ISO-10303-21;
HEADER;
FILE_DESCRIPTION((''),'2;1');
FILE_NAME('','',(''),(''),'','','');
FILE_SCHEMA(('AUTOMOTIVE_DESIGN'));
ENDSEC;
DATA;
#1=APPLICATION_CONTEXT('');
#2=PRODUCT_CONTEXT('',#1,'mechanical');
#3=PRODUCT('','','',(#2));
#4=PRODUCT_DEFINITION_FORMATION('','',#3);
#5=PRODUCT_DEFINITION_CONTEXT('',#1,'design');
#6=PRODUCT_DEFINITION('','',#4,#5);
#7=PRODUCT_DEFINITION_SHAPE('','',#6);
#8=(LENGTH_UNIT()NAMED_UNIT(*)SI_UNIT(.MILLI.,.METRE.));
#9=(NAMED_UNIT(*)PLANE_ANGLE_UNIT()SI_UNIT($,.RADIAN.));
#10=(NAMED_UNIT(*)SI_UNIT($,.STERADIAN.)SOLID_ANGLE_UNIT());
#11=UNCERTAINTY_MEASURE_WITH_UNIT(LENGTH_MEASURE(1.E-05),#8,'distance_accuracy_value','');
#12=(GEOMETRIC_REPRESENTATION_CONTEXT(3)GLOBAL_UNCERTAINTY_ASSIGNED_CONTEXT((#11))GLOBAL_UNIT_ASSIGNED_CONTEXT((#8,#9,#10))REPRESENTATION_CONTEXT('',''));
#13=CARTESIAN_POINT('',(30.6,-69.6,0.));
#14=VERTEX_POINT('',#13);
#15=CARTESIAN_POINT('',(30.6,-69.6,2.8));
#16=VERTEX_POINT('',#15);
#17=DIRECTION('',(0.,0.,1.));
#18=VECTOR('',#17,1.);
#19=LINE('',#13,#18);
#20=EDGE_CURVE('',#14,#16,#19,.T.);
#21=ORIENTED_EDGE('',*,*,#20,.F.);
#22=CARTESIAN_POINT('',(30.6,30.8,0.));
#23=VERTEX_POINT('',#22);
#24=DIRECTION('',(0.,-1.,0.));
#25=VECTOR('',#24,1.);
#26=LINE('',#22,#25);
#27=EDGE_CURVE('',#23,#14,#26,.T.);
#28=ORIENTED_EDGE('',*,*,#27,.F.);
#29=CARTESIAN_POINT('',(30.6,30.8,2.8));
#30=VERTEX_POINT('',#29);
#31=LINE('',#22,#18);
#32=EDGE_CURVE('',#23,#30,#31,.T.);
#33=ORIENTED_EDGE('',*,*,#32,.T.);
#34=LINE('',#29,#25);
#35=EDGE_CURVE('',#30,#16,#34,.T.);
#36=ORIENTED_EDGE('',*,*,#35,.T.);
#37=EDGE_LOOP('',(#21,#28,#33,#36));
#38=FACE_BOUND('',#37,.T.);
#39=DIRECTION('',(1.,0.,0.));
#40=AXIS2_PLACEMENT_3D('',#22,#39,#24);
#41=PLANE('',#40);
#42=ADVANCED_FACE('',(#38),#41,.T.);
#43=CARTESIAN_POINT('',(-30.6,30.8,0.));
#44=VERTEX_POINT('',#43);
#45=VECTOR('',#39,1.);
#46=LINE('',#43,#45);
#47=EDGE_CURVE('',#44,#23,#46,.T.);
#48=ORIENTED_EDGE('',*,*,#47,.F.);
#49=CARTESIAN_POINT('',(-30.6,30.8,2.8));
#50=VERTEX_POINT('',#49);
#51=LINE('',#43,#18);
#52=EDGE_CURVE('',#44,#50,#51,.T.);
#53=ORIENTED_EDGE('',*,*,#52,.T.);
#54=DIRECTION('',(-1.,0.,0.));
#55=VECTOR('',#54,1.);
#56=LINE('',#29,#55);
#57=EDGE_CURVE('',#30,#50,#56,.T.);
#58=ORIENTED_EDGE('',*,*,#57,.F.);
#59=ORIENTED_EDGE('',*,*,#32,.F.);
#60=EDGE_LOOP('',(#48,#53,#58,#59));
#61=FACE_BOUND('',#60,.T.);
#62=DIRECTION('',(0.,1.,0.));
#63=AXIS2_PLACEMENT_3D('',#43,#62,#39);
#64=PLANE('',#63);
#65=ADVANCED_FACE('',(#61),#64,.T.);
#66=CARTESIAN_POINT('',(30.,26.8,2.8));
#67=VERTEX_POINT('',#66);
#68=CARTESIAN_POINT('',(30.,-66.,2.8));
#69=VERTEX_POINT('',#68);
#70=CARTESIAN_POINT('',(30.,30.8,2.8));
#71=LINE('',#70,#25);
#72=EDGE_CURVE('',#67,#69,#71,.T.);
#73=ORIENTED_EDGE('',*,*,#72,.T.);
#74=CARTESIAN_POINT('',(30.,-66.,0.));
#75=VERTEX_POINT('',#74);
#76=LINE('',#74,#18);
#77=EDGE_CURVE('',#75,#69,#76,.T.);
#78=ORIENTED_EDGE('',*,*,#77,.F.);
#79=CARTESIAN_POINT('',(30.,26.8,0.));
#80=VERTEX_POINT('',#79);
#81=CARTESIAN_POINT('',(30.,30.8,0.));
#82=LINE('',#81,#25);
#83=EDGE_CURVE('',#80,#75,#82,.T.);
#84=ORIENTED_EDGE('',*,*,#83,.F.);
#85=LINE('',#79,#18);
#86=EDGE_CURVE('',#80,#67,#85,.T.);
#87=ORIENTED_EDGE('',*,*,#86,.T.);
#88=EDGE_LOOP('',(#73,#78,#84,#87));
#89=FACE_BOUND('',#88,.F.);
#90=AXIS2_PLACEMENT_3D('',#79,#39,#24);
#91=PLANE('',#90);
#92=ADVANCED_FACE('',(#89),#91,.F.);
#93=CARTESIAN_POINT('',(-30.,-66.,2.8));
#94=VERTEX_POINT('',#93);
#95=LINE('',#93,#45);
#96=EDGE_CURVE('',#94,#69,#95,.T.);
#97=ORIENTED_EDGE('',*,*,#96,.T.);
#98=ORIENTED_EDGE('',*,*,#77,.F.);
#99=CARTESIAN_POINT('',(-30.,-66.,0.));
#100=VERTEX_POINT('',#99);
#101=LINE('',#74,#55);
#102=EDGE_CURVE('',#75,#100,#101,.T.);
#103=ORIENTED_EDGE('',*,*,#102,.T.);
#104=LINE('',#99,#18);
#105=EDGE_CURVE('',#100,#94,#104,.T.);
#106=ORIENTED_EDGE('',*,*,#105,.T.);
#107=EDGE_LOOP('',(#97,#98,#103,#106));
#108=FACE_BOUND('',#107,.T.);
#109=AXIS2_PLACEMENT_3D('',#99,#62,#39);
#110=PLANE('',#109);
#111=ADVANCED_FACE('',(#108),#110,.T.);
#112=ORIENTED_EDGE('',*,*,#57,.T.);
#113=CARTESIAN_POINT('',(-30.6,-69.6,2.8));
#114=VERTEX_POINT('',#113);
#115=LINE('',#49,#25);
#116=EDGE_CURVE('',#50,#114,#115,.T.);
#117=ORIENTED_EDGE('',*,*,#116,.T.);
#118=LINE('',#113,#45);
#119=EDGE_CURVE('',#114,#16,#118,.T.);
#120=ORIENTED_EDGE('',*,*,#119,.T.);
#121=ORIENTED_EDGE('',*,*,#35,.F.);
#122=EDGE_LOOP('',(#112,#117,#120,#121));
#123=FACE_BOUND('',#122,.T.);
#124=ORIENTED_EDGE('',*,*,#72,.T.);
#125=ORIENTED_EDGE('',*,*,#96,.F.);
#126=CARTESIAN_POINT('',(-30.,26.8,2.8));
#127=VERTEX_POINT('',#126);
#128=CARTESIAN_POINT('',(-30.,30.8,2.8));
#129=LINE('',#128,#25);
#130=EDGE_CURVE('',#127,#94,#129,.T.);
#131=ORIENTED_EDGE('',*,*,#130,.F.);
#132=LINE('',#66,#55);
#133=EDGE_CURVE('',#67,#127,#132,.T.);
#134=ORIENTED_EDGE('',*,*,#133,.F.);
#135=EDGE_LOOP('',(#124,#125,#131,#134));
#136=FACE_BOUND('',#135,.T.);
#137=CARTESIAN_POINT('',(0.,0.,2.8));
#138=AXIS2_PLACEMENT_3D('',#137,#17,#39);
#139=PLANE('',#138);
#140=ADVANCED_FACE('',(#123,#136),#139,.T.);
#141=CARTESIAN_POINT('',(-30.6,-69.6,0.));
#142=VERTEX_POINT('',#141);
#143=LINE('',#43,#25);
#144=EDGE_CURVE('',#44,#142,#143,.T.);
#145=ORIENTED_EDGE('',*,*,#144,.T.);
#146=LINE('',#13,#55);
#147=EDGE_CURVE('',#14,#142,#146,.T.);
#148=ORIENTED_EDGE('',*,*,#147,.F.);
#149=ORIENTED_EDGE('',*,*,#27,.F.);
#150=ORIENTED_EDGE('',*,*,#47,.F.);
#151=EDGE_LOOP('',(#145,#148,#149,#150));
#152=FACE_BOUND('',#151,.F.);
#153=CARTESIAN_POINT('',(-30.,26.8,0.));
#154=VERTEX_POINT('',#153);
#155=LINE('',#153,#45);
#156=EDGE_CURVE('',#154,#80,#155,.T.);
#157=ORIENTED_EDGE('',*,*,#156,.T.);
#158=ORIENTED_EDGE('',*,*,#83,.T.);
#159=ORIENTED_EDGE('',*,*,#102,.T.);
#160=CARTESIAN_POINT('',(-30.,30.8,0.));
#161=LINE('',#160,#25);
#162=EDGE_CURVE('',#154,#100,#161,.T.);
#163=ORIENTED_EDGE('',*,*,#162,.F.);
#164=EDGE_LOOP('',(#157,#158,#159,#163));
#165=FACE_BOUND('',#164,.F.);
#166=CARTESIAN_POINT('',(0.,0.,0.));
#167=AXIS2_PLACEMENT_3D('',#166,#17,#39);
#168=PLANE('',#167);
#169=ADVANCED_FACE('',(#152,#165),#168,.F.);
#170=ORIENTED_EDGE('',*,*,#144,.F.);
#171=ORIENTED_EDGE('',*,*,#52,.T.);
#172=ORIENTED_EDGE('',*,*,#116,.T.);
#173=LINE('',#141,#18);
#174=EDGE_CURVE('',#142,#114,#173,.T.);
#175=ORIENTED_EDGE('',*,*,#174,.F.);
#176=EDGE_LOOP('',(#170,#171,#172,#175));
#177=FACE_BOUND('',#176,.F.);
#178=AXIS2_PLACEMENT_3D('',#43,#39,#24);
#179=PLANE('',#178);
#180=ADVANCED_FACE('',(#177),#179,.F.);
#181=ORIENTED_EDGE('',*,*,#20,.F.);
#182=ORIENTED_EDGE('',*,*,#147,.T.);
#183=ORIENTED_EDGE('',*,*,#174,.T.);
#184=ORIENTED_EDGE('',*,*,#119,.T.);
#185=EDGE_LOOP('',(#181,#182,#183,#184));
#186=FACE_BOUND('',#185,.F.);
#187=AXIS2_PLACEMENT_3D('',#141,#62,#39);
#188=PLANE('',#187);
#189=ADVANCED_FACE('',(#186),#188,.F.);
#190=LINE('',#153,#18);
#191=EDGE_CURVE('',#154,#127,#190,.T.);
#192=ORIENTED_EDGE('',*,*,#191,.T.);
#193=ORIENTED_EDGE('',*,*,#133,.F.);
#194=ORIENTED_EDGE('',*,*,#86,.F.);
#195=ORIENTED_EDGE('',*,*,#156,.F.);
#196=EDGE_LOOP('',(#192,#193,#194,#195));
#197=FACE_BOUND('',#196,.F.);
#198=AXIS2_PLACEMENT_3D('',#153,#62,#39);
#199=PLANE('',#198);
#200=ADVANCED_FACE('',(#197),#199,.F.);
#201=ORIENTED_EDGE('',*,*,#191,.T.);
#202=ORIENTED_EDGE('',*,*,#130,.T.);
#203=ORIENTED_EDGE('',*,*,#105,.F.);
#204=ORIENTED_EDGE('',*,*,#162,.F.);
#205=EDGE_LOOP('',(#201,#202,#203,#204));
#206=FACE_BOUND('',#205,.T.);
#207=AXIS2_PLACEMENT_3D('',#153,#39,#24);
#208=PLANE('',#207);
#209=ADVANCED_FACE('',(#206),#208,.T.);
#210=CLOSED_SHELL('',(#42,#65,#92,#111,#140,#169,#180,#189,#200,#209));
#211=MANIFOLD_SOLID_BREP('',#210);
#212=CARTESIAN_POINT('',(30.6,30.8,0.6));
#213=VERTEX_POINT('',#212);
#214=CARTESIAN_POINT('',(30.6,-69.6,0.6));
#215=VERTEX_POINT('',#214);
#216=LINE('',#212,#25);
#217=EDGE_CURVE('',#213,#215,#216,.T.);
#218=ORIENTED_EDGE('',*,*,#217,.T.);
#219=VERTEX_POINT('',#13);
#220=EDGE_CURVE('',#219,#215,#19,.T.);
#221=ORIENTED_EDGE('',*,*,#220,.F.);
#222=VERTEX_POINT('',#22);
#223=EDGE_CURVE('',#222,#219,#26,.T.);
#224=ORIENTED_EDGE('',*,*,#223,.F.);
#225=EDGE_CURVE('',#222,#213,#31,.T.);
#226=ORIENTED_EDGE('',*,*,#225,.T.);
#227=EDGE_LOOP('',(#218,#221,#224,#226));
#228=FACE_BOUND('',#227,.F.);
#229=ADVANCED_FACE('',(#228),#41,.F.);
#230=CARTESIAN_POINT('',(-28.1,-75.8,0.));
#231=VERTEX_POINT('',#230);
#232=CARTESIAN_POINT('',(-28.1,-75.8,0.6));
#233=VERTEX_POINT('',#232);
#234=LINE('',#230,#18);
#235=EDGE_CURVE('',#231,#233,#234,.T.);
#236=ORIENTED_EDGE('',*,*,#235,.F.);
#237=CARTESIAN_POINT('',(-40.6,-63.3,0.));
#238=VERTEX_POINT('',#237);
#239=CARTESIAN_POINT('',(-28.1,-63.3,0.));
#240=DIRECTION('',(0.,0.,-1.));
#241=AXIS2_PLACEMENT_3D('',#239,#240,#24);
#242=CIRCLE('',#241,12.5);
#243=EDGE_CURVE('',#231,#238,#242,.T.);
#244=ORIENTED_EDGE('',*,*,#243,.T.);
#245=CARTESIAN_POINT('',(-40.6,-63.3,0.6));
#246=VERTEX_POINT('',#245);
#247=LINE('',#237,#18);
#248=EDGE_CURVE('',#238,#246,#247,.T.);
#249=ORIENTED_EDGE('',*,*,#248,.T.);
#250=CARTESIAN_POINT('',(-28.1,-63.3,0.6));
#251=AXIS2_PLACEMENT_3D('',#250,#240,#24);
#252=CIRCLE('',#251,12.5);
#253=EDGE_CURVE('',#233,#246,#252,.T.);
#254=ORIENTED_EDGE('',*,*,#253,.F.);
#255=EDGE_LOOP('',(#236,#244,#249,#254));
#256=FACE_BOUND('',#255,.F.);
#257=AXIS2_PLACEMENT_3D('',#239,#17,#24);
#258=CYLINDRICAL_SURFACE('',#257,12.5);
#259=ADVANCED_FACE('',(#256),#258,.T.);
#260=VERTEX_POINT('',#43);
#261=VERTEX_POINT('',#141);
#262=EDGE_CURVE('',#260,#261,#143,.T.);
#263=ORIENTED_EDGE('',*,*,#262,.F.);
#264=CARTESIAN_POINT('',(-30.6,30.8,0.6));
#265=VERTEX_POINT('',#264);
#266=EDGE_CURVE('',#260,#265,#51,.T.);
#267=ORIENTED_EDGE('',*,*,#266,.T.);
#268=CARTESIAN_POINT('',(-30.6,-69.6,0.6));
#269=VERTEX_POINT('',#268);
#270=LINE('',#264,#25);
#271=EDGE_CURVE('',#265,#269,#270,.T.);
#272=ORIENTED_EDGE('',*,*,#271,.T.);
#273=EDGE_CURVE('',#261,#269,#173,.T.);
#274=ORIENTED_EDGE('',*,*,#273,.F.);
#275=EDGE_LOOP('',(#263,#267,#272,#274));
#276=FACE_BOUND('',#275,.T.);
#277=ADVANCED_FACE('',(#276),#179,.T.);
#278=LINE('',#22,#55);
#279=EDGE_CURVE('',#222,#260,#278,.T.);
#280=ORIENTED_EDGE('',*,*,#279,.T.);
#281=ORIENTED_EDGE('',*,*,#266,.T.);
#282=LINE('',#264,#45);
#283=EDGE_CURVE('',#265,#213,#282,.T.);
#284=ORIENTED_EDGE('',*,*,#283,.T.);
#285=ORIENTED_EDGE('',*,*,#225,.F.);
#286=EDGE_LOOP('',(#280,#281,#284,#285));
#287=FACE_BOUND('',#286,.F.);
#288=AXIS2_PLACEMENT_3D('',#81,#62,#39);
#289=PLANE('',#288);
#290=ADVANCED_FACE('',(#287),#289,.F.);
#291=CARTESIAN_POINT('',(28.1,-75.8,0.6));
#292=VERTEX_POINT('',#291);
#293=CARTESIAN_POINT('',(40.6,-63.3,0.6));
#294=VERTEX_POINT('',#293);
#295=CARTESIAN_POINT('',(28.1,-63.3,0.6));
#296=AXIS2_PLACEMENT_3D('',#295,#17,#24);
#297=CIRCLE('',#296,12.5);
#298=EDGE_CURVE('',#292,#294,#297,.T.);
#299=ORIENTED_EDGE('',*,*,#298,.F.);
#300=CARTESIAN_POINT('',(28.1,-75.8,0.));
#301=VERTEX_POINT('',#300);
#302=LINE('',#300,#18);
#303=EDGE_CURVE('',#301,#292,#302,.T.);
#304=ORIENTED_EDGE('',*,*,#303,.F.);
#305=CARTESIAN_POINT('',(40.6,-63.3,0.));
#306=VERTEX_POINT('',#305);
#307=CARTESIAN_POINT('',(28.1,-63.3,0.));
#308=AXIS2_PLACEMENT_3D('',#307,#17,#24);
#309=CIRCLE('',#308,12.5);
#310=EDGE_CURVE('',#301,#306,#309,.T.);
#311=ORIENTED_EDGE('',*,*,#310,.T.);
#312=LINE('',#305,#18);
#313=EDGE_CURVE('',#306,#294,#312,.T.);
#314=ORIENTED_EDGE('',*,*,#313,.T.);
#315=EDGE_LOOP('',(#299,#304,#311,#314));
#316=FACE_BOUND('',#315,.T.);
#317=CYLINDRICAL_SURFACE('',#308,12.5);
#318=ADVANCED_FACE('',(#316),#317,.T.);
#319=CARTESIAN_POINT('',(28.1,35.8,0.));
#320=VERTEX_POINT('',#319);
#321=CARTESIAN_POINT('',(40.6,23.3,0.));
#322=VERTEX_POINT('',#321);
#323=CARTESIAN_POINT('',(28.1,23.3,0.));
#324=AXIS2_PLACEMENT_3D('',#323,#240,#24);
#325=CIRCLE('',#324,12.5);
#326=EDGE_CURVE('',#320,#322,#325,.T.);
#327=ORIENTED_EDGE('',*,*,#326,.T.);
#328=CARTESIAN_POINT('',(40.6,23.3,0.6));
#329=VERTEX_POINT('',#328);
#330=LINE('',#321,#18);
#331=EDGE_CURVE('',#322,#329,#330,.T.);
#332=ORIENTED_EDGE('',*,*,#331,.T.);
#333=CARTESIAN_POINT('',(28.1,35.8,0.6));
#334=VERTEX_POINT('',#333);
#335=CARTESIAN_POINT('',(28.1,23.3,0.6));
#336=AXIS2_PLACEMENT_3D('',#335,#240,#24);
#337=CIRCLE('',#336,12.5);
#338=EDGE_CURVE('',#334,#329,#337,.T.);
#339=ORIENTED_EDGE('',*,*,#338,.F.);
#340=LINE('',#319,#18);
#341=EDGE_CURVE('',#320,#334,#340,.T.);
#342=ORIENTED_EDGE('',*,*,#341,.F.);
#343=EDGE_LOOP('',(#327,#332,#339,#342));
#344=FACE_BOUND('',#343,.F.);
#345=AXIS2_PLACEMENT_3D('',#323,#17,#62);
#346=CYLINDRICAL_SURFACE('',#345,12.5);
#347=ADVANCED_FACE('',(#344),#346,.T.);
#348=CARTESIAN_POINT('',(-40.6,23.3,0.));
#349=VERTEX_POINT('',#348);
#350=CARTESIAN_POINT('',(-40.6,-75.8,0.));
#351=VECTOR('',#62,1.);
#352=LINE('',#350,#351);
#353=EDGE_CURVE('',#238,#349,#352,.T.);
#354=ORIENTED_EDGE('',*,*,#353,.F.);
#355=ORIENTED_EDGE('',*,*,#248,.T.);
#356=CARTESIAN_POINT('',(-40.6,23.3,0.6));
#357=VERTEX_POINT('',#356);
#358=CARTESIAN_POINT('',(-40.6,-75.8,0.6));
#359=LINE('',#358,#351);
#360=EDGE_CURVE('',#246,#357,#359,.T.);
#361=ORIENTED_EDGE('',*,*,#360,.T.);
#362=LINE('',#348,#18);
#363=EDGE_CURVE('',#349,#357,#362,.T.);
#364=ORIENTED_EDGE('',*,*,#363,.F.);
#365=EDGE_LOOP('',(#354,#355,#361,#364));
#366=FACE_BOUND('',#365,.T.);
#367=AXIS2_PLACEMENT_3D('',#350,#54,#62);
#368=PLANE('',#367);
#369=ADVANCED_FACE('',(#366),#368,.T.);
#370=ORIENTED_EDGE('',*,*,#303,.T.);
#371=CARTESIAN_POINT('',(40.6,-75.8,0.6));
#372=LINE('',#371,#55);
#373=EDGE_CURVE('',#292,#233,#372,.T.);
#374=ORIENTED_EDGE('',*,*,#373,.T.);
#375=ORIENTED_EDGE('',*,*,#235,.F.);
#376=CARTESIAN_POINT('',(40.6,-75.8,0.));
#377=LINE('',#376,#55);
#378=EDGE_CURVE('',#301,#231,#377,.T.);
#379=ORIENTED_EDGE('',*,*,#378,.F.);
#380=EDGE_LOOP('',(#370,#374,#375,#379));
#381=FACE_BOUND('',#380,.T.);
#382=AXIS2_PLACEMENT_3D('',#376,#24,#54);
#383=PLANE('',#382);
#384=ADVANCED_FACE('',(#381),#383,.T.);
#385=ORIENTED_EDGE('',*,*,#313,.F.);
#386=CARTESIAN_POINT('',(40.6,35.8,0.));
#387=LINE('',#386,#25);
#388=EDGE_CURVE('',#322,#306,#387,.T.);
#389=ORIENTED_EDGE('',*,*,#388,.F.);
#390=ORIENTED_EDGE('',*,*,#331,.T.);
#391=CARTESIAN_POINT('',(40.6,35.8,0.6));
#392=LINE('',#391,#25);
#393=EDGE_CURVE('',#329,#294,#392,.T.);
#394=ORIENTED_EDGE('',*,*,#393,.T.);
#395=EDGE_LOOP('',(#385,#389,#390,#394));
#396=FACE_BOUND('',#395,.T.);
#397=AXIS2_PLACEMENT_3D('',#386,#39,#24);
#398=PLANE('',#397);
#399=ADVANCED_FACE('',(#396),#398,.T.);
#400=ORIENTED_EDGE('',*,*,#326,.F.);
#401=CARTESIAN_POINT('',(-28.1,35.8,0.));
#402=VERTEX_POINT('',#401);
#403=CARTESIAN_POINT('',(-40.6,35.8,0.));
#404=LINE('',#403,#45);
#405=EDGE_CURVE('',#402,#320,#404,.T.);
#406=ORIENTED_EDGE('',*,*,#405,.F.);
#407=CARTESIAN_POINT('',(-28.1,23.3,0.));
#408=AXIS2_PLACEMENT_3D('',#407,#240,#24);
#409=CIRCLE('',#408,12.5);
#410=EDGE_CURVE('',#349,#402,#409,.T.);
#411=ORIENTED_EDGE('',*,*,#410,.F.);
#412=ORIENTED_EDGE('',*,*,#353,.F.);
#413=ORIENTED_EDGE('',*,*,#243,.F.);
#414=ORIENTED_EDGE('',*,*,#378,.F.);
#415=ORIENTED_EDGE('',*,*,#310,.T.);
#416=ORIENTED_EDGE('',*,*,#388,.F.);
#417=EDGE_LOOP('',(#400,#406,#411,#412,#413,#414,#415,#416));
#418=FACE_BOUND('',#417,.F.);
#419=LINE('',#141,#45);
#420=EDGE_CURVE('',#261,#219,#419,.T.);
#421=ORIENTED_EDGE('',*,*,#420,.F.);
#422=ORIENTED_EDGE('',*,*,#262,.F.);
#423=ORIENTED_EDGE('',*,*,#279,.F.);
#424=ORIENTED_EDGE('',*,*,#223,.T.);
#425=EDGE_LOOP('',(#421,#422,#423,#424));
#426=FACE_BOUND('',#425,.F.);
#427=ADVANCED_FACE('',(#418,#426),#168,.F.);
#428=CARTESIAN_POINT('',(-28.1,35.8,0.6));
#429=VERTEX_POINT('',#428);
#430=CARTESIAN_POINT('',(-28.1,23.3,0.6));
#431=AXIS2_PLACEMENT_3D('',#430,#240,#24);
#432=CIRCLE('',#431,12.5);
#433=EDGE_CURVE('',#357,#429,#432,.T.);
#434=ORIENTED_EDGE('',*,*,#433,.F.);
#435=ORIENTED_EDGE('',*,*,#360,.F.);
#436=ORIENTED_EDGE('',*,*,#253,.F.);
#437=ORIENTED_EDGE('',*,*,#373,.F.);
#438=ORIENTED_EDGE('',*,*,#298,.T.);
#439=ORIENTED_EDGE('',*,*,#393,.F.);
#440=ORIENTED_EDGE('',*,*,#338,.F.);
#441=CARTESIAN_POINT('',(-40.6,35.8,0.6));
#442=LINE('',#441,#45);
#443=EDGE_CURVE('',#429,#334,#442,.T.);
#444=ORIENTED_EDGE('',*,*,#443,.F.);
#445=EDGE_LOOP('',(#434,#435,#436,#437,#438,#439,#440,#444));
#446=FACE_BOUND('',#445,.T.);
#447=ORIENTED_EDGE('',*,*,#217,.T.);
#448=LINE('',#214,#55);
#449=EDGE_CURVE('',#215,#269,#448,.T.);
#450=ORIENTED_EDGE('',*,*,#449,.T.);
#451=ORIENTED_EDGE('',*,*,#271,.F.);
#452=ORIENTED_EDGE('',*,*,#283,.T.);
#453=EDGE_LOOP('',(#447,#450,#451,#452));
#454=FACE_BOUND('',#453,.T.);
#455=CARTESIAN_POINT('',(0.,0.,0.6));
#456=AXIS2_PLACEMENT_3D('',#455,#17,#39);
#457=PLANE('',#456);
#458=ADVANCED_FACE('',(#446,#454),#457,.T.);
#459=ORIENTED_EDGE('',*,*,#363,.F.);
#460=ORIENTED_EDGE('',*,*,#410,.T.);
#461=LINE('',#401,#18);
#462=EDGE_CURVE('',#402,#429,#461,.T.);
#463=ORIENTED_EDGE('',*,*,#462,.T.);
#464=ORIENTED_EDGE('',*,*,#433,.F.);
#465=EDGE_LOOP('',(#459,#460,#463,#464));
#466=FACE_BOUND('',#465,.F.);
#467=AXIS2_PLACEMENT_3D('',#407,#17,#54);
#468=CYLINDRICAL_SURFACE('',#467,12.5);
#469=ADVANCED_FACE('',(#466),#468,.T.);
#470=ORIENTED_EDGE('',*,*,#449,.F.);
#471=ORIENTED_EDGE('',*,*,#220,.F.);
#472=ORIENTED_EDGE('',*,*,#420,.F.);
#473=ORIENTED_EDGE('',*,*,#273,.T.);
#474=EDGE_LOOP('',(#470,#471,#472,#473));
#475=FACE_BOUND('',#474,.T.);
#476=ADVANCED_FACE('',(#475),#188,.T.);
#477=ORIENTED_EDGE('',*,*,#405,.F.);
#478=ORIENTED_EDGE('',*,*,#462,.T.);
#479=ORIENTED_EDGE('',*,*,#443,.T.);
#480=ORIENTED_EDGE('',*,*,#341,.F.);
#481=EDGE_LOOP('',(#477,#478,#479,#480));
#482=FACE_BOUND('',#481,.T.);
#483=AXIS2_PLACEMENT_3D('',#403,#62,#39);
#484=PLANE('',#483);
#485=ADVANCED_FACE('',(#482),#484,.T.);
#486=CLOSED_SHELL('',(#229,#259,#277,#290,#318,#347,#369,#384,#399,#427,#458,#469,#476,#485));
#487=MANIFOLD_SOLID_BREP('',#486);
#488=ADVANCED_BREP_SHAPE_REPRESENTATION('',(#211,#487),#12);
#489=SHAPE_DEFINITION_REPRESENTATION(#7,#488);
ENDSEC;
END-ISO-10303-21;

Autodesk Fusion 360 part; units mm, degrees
sketch "Sketch1" plane through (0, 0, 0) normal (0, 0, 1) x (1, 0, 0)
  line L0 (-30.6, 30.8) -> (30.6, 30.8)
  line L1 (-30.6, 30.8) -> (-30.6, -69.6)
  line L2 (0, 30) -> (0, -70)
  line L3 (30.6, 30.8) -> (30.6, -69.6)
  line L4 (-30, 30.8) -> (-30, -70)
  line L5 (30, 30.8) -> (30, -70)
  line L6 (-30, 26.8) -> (30, 26.8)
  line L7 (-30, -66) -> (30, -66)
  line L8 (-33.5, 50) -> (-33.3333, 50)
  line L9 (33.3333, 50) -> (33.5, 50)
  line L10 (-30.6, -69.6) -> (30.6, -69.6)
  line L11 (-30.6, 30.8) -> (30.6, -69.6)
  line L12 (-30.6, -69.6) -> (30.6, 30.8)
  line L13 (40.6, -75.8) -> (-40.6, -75.8)
  line L14 (-40.6, -75.8) -> (-40.6, 35.8)
  line L15 (-40.6, 35.8) -> (40.6, 35.8)
  line L16 (40.6, 35.8) -> (40.6, -75.8)
  line L17 (40.6, -75.8) -> (-40.6, 35.8) construction
  line L18 (-40.6, -75.8) -> (40.6, 35.8) construction
  point P0 (-0.25, 0)
  point P1 (0, -20)
  dimension "d22" = 60
  dimension "d23" = 0.6
  dimension "d24" = 100.4
  dimension "d27" = 10
  dimension "d28" = 5
extrude "Extrude3" add sketch "Sketch1" along normal blind 2.8 contours L1 L4 L11 L12 | L0 L4 L11 | L0 L4 L5 L6 L11 L12 | L4 L10 L12 | L4 L6 L11 | L0 L5 L12 | L2 L4 L7 L10 L12 | L4 L7 L12 | L3 L5 L11 L12 | L5 L6 L12 | L2 L5 L7 L10 L11 | L5 L10 L11 | L5 L7 L11 makes body 1
extrude "Extrude4" add sketch "Sketch1" along normal blind 0.6 separate body makes body 2
fillet "Fillet3" radius 12.5 4 edges at (40.6, 35.8, 0.3) (40.6, -75.8, 0.3) (-40.6, -75.8, 0.3) (-40.6, 35.8, 0.3) on bodies 2
